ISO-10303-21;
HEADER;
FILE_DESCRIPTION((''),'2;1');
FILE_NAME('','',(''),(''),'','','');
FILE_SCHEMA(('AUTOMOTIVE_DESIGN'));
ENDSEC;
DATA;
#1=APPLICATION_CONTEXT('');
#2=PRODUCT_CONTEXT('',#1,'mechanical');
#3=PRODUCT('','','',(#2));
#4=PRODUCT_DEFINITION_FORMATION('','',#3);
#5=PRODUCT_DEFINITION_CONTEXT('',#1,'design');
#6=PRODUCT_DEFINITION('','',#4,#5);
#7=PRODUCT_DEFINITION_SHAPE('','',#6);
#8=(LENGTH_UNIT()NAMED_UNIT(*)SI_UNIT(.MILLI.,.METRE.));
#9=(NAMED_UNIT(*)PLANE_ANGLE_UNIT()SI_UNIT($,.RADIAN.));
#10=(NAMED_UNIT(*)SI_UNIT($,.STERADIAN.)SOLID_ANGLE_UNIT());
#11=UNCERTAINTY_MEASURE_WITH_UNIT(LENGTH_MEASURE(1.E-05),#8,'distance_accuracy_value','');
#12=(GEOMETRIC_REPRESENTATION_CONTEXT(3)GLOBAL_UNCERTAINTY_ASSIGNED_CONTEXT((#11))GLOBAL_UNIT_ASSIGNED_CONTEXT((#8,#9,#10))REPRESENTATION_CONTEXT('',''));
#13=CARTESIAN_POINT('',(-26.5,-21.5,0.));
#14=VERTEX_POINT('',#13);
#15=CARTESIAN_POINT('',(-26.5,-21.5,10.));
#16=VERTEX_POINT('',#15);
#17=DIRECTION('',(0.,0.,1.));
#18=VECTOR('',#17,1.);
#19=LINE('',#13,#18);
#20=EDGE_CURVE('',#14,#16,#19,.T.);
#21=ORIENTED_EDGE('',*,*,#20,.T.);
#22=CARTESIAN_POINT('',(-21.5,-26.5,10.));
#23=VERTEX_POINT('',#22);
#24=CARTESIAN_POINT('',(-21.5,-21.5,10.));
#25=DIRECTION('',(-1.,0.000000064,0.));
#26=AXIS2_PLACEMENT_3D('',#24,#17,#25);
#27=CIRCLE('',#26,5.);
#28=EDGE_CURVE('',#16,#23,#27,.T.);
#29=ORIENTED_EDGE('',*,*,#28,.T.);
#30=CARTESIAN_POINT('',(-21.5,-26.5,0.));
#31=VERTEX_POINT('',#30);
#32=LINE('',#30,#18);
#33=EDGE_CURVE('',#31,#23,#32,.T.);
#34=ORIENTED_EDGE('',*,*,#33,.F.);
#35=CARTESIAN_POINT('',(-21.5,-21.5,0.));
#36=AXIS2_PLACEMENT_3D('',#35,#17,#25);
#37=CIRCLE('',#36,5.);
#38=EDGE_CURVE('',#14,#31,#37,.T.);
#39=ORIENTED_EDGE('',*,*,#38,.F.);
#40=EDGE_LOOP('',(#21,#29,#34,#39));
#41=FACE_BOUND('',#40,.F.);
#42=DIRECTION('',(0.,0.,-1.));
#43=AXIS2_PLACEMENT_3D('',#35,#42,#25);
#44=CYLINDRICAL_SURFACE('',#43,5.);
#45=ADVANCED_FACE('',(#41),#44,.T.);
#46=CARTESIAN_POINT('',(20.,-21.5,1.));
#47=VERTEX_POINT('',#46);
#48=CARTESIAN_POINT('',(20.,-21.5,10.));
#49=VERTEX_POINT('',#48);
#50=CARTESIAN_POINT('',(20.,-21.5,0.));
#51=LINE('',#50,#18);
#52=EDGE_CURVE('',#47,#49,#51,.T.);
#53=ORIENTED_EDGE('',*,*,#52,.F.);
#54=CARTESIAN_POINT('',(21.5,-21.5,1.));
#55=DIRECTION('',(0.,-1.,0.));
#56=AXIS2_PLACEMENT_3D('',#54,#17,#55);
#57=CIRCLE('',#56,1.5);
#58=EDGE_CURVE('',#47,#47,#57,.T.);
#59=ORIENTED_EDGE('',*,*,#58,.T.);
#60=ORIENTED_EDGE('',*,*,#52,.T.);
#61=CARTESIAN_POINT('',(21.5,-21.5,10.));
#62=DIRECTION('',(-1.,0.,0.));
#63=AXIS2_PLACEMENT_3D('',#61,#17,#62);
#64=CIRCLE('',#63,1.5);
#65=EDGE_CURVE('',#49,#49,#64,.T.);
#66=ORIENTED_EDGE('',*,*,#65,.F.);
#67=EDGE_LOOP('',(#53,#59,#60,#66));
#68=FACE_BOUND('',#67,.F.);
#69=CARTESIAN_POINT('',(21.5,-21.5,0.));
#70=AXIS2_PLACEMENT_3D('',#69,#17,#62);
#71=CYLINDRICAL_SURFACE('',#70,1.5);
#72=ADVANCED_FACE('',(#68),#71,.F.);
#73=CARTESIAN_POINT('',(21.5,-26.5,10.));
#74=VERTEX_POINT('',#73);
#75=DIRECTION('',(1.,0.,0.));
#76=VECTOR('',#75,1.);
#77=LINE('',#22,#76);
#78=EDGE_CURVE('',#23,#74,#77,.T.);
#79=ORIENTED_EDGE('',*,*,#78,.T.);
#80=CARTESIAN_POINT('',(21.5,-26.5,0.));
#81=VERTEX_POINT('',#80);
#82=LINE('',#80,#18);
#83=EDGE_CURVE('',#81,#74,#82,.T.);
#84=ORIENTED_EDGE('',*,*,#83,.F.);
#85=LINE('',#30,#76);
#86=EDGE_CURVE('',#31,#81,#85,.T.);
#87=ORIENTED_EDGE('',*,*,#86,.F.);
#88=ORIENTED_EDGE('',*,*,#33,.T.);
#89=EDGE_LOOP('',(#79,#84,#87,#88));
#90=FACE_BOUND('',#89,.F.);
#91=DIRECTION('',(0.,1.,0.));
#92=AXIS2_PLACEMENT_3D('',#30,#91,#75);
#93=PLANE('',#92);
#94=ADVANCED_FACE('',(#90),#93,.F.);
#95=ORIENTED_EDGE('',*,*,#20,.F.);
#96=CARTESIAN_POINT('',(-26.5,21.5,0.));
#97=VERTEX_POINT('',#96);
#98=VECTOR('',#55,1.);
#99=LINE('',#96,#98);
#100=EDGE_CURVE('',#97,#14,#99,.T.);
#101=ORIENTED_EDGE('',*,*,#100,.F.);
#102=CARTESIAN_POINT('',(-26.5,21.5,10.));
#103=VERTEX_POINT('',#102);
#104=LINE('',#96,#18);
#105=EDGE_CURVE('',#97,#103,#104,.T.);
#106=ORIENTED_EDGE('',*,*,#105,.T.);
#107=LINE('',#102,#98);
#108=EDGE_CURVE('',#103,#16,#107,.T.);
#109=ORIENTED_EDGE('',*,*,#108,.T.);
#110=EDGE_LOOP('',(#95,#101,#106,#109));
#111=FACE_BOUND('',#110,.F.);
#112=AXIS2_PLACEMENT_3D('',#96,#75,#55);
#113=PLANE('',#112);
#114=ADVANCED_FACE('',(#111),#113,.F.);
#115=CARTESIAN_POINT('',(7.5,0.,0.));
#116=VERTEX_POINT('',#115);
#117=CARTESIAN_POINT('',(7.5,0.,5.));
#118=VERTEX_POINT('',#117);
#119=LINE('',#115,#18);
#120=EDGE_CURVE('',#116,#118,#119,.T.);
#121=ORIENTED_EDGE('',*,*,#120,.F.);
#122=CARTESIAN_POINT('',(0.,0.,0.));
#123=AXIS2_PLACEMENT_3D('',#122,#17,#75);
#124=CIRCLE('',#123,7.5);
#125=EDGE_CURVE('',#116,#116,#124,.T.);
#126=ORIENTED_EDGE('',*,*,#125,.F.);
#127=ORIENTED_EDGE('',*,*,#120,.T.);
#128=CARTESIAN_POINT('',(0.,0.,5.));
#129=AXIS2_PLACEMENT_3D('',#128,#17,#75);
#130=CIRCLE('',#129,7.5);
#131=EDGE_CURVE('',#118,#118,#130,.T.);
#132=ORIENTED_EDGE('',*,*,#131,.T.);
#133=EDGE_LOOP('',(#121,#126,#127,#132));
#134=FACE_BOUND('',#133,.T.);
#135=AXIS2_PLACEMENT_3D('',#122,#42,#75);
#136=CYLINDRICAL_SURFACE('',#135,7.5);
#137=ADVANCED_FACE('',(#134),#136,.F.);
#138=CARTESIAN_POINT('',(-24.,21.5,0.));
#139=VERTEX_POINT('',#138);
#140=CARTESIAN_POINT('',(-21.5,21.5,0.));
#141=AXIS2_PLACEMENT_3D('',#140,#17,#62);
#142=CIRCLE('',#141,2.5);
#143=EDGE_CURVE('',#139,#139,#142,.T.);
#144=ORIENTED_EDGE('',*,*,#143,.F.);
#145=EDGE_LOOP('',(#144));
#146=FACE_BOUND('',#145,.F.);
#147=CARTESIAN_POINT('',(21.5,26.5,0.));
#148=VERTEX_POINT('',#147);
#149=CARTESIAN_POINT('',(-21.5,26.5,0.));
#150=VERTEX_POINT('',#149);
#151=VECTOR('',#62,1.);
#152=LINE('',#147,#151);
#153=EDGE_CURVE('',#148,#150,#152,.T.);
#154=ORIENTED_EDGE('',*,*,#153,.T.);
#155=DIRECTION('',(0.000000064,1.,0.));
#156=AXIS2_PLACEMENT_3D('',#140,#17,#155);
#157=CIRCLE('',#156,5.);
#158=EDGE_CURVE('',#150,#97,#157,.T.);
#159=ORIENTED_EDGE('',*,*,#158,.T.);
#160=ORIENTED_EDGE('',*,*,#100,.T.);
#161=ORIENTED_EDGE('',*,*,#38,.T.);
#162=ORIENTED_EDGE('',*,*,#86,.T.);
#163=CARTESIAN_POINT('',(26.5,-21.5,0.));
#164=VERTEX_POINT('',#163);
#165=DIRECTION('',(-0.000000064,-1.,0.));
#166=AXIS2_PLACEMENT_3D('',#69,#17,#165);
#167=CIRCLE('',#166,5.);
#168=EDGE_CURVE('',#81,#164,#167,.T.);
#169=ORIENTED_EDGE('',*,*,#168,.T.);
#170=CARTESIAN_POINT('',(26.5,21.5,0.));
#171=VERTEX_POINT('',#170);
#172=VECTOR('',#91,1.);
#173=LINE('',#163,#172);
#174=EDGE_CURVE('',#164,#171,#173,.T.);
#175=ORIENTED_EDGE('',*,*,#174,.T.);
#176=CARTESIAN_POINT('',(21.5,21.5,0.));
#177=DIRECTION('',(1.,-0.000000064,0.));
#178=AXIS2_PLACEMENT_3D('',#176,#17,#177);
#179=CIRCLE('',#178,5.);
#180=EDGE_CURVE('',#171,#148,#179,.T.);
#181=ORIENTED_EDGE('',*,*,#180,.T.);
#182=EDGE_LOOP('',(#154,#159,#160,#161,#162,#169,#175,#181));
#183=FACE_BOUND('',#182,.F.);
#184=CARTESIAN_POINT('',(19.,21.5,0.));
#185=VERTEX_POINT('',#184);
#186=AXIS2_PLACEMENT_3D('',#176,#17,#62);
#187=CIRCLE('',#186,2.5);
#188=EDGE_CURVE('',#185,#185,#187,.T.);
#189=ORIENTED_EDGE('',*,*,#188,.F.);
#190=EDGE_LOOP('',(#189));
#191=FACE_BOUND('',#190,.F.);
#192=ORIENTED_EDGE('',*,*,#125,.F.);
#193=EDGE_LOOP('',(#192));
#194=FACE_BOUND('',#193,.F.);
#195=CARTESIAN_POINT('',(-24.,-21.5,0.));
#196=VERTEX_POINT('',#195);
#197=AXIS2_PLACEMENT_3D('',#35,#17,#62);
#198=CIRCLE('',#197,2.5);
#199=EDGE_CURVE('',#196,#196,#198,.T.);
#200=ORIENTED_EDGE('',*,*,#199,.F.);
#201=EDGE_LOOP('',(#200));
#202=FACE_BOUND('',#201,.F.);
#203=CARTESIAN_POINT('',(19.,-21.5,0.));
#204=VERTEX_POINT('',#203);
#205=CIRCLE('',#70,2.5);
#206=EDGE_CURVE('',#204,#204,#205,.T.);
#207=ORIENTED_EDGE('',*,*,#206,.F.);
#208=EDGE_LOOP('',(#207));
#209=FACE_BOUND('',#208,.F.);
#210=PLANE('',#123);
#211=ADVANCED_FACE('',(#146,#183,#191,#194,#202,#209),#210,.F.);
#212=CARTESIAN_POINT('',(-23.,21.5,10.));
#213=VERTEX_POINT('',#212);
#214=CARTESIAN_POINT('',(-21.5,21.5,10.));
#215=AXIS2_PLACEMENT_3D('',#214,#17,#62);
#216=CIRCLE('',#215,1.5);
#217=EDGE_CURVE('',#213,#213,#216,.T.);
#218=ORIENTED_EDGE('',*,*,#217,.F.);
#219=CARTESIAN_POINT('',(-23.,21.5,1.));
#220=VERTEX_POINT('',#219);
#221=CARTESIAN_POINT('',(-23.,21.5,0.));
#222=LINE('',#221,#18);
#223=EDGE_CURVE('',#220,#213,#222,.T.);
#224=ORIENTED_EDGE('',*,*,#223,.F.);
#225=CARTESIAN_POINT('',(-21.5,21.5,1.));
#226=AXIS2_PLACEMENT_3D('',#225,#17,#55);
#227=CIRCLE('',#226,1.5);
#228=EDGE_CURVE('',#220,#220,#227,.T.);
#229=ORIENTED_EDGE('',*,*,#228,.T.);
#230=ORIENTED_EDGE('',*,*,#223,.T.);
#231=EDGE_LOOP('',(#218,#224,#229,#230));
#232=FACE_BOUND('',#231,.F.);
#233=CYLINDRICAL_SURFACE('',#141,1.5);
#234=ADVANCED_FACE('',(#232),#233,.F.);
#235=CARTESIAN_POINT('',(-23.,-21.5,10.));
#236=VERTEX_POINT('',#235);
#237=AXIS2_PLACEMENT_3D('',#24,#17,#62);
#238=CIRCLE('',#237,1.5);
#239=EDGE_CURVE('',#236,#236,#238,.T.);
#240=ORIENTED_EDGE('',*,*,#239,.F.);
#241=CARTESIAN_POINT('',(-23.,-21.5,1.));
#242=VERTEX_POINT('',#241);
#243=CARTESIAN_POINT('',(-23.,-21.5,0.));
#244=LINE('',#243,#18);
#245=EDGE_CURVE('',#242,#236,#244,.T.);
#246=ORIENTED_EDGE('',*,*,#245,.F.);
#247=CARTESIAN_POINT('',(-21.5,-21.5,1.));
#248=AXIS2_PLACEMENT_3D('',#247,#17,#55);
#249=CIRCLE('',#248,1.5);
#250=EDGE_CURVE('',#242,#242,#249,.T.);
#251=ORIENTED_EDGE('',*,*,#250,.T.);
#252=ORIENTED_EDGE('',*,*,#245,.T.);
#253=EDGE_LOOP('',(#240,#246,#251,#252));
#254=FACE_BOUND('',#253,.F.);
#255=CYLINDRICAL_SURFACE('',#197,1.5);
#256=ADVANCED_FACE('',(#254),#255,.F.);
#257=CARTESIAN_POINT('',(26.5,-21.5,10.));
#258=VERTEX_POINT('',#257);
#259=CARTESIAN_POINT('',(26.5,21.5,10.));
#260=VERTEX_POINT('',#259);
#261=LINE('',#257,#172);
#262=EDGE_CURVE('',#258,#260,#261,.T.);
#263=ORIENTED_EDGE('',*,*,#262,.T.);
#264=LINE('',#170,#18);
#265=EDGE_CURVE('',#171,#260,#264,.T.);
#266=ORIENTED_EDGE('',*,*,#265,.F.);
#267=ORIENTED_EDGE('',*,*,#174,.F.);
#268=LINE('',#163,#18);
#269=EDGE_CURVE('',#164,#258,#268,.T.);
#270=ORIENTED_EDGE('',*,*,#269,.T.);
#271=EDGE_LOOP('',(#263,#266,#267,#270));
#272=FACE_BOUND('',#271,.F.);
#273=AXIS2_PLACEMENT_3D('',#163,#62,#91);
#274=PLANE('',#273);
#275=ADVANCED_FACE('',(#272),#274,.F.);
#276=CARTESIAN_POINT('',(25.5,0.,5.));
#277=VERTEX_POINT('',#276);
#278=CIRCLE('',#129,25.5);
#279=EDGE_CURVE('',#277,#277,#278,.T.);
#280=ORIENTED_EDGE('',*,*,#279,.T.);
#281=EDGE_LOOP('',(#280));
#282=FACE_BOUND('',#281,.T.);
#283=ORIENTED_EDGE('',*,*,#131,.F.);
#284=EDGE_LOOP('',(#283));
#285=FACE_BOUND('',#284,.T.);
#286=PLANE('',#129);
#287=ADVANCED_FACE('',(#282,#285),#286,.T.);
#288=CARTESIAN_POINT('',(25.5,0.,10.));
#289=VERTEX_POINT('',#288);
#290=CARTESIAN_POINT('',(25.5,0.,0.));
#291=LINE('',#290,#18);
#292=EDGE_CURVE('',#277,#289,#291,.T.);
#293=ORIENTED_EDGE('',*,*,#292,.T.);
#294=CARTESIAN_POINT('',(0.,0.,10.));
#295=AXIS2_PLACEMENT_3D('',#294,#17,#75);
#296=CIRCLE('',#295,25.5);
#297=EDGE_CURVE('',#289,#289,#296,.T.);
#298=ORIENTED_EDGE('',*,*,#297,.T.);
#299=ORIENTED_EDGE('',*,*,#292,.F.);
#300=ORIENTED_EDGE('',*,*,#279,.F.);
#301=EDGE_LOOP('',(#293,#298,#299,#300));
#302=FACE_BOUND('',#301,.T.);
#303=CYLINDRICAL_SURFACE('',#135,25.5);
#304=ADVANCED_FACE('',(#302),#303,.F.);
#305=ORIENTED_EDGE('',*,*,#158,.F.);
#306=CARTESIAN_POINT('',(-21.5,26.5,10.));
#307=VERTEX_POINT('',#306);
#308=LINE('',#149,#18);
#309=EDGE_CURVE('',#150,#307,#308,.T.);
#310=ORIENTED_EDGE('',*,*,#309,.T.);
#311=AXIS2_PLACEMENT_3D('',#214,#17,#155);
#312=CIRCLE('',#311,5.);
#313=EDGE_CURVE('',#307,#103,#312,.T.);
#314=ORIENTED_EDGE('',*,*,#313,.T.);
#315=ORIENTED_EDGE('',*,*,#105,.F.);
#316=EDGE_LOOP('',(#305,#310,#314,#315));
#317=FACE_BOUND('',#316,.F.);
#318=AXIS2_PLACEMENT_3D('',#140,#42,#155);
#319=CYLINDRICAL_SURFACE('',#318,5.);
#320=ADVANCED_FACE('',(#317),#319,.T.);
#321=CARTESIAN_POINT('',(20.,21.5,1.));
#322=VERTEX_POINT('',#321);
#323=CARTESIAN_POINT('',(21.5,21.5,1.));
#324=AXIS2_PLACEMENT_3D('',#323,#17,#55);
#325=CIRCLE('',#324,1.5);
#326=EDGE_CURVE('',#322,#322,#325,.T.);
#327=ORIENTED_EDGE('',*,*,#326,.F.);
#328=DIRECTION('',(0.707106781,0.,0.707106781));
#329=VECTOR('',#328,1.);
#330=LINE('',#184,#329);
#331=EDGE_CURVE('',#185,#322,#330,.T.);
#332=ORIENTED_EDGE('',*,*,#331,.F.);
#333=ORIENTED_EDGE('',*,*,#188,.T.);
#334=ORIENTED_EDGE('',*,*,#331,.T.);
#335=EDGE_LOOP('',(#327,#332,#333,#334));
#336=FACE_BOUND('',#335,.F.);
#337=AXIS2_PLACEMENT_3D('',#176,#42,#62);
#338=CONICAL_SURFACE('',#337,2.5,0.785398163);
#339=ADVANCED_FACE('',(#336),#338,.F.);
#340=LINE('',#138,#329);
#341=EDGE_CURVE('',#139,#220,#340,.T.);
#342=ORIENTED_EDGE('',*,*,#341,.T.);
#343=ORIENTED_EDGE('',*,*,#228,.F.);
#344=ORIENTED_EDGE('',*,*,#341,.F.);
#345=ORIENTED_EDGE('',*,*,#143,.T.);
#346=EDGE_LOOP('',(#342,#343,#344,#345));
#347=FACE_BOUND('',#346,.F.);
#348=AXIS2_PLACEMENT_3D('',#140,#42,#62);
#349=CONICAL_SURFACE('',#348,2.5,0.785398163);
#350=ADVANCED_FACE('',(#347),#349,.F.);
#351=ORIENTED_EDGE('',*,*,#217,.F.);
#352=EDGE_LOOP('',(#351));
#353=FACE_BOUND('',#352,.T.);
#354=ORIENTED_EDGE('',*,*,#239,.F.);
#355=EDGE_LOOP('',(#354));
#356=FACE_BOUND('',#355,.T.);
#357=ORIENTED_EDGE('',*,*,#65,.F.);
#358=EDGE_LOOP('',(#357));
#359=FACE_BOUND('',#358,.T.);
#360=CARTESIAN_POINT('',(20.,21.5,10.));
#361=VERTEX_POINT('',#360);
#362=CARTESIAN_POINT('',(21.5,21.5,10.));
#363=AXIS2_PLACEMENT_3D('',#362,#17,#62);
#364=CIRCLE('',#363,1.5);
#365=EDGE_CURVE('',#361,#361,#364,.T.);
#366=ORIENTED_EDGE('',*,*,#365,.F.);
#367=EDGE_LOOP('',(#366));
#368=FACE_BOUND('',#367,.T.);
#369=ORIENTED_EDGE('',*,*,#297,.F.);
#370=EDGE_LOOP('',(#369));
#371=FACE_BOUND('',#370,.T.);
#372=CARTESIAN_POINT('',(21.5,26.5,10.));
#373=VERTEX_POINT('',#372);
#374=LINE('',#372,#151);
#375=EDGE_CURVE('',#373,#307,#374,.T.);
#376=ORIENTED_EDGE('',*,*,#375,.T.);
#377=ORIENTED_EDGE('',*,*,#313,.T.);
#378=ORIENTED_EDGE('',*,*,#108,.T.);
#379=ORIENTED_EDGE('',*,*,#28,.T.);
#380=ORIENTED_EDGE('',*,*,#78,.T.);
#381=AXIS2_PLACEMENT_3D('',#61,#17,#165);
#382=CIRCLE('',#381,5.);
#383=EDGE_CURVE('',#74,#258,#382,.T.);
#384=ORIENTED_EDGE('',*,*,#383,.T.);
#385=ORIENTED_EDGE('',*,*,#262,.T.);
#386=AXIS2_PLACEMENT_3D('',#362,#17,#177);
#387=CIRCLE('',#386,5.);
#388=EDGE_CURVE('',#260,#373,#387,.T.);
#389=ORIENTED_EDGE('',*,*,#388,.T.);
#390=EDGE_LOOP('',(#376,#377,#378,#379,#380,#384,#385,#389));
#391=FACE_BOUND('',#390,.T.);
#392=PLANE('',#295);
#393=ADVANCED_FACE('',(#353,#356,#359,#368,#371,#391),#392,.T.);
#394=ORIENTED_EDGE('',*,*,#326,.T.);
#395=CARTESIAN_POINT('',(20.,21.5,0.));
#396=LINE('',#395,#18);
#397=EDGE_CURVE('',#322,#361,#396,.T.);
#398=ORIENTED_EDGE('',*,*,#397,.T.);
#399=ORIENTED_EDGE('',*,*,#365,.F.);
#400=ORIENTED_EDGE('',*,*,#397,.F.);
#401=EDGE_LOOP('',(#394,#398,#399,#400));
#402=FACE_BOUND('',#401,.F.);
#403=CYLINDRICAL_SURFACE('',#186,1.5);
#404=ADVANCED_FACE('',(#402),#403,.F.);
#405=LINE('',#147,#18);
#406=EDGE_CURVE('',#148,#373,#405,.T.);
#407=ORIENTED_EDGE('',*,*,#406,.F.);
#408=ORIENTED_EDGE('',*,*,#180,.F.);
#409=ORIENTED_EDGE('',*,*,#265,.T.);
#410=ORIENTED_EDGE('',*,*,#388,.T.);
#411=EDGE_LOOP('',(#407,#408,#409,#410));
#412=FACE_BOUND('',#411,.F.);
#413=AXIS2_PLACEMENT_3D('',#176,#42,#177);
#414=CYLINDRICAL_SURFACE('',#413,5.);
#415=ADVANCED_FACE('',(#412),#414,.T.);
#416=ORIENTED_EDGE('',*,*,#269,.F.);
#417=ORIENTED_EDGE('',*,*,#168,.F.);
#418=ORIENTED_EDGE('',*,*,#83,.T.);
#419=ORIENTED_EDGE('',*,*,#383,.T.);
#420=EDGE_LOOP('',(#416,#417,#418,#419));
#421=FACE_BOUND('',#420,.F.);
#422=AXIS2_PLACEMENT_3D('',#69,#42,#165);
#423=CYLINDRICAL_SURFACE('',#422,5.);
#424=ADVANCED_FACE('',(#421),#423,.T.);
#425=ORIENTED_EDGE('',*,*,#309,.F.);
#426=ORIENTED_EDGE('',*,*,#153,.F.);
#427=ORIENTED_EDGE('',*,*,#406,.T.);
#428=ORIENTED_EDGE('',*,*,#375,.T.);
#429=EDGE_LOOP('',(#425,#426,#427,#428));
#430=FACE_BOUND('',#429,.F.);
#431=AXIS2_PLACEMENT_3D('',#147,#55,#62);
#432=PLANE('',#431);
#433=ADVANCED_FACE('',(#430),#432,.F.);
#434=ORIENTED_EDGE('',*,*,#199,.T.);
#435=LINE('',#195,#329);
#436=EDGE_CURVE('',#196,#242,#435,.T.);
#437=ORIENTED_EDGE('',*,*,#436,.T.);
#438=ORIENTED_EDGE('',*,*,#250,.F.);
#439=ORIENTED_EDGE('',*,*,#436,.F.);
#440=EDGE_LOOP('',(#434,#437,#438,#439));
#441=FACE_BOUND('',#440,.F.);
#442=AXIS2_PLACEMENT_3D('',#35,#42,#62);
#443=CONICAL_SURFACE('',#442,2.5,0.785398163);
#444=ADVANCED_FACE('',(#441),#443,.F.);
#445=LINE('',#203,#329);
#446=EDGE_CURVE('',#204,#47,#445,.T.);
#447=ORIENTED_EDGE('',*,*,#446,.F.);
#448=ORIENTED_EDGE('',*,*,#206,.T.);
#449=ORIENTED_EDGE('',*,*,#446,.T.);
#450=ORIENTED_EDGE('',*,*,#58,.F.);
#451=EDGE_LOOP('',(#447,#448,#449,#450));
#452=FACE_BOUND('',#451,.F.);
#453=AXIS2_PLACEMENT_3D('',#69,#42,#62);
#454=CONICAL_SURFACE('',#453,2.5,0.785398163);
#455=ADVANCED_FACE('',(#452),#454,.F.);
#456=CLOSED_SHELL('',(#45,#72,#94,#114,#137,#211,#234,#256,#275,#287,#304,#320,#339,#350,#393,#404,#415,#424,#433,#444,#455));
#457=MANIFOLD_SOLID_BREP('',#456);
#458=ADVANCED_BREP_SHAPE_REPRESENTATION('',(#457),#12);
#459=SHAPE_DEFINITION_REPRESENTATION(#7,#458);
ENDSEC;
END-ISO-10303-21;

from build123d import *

# Parameters (mm, degrees)
F0_R           = 25.5
F1_DEPTH       = 10
F0_R_2         = 7.5
F2_DEPTH       = 5
F4_D           = 3
F4_DEPTH       = 11
F4_CSINK_D     = 5
F4_CSINK_ANGLE = 90


with BuildPart() as f1:
    # F0 (on Top) → F1 (new body)
    with BuildSketch(Plane.XY):
        with BuildLine():
            Line((21.5, 26.5), (-21.5, 26.5))
            ThreePointArc((-21.5, 26.5), (-25.035534, 25.035534), (-26.5, 21.5))
            Line((-26.5, 21.5), (-26.5, -21.5))
            ThreePointArc((-26.5, -21.5), (-25.035534, -25.035534), (-21.5, -26.5))
            Line((-21.5, -26.5), (21.5, -26.5))
            ThreePointArc((21.5, -26.5), (25.035534, -25.035534), (26.5, -21.5))
            Line((26.5, -21.5), (26.5, 21.5))
            ThreePointArc((26.5, 21.5), (25.035534, 25.035534), (21.5, 26.5))
        make_face()
        Circle(F0_R, mode=Mode.SUBTRACT)
    extrude(amount=F1_DEPTH)

    # F0 (on Top) → F2 (join)
    with BuildSketch(Plane.XY):
        Circle(F0_R)
        Circle(F0_R_2, mode=Mode.SUBTRACT)
    extrude(amount=F2_DEPTH)

    # F4
    with Locations(Plane(origin=(0, 0, 0), x_dir=(1, 0, 0), z_dir=(0, 0, -1))):
        with Locations((-21.5, 21.5), (-21.5, -21.5), (21.5, -21.5), (21.5, 21.5)):
            CounterSinkHole(F4_D / 2, F4_CSINK_D / 2, depth=F4_DEPTH, counter_sink_angle=F4_CSINK_ANGLE)


solid = f1.part
